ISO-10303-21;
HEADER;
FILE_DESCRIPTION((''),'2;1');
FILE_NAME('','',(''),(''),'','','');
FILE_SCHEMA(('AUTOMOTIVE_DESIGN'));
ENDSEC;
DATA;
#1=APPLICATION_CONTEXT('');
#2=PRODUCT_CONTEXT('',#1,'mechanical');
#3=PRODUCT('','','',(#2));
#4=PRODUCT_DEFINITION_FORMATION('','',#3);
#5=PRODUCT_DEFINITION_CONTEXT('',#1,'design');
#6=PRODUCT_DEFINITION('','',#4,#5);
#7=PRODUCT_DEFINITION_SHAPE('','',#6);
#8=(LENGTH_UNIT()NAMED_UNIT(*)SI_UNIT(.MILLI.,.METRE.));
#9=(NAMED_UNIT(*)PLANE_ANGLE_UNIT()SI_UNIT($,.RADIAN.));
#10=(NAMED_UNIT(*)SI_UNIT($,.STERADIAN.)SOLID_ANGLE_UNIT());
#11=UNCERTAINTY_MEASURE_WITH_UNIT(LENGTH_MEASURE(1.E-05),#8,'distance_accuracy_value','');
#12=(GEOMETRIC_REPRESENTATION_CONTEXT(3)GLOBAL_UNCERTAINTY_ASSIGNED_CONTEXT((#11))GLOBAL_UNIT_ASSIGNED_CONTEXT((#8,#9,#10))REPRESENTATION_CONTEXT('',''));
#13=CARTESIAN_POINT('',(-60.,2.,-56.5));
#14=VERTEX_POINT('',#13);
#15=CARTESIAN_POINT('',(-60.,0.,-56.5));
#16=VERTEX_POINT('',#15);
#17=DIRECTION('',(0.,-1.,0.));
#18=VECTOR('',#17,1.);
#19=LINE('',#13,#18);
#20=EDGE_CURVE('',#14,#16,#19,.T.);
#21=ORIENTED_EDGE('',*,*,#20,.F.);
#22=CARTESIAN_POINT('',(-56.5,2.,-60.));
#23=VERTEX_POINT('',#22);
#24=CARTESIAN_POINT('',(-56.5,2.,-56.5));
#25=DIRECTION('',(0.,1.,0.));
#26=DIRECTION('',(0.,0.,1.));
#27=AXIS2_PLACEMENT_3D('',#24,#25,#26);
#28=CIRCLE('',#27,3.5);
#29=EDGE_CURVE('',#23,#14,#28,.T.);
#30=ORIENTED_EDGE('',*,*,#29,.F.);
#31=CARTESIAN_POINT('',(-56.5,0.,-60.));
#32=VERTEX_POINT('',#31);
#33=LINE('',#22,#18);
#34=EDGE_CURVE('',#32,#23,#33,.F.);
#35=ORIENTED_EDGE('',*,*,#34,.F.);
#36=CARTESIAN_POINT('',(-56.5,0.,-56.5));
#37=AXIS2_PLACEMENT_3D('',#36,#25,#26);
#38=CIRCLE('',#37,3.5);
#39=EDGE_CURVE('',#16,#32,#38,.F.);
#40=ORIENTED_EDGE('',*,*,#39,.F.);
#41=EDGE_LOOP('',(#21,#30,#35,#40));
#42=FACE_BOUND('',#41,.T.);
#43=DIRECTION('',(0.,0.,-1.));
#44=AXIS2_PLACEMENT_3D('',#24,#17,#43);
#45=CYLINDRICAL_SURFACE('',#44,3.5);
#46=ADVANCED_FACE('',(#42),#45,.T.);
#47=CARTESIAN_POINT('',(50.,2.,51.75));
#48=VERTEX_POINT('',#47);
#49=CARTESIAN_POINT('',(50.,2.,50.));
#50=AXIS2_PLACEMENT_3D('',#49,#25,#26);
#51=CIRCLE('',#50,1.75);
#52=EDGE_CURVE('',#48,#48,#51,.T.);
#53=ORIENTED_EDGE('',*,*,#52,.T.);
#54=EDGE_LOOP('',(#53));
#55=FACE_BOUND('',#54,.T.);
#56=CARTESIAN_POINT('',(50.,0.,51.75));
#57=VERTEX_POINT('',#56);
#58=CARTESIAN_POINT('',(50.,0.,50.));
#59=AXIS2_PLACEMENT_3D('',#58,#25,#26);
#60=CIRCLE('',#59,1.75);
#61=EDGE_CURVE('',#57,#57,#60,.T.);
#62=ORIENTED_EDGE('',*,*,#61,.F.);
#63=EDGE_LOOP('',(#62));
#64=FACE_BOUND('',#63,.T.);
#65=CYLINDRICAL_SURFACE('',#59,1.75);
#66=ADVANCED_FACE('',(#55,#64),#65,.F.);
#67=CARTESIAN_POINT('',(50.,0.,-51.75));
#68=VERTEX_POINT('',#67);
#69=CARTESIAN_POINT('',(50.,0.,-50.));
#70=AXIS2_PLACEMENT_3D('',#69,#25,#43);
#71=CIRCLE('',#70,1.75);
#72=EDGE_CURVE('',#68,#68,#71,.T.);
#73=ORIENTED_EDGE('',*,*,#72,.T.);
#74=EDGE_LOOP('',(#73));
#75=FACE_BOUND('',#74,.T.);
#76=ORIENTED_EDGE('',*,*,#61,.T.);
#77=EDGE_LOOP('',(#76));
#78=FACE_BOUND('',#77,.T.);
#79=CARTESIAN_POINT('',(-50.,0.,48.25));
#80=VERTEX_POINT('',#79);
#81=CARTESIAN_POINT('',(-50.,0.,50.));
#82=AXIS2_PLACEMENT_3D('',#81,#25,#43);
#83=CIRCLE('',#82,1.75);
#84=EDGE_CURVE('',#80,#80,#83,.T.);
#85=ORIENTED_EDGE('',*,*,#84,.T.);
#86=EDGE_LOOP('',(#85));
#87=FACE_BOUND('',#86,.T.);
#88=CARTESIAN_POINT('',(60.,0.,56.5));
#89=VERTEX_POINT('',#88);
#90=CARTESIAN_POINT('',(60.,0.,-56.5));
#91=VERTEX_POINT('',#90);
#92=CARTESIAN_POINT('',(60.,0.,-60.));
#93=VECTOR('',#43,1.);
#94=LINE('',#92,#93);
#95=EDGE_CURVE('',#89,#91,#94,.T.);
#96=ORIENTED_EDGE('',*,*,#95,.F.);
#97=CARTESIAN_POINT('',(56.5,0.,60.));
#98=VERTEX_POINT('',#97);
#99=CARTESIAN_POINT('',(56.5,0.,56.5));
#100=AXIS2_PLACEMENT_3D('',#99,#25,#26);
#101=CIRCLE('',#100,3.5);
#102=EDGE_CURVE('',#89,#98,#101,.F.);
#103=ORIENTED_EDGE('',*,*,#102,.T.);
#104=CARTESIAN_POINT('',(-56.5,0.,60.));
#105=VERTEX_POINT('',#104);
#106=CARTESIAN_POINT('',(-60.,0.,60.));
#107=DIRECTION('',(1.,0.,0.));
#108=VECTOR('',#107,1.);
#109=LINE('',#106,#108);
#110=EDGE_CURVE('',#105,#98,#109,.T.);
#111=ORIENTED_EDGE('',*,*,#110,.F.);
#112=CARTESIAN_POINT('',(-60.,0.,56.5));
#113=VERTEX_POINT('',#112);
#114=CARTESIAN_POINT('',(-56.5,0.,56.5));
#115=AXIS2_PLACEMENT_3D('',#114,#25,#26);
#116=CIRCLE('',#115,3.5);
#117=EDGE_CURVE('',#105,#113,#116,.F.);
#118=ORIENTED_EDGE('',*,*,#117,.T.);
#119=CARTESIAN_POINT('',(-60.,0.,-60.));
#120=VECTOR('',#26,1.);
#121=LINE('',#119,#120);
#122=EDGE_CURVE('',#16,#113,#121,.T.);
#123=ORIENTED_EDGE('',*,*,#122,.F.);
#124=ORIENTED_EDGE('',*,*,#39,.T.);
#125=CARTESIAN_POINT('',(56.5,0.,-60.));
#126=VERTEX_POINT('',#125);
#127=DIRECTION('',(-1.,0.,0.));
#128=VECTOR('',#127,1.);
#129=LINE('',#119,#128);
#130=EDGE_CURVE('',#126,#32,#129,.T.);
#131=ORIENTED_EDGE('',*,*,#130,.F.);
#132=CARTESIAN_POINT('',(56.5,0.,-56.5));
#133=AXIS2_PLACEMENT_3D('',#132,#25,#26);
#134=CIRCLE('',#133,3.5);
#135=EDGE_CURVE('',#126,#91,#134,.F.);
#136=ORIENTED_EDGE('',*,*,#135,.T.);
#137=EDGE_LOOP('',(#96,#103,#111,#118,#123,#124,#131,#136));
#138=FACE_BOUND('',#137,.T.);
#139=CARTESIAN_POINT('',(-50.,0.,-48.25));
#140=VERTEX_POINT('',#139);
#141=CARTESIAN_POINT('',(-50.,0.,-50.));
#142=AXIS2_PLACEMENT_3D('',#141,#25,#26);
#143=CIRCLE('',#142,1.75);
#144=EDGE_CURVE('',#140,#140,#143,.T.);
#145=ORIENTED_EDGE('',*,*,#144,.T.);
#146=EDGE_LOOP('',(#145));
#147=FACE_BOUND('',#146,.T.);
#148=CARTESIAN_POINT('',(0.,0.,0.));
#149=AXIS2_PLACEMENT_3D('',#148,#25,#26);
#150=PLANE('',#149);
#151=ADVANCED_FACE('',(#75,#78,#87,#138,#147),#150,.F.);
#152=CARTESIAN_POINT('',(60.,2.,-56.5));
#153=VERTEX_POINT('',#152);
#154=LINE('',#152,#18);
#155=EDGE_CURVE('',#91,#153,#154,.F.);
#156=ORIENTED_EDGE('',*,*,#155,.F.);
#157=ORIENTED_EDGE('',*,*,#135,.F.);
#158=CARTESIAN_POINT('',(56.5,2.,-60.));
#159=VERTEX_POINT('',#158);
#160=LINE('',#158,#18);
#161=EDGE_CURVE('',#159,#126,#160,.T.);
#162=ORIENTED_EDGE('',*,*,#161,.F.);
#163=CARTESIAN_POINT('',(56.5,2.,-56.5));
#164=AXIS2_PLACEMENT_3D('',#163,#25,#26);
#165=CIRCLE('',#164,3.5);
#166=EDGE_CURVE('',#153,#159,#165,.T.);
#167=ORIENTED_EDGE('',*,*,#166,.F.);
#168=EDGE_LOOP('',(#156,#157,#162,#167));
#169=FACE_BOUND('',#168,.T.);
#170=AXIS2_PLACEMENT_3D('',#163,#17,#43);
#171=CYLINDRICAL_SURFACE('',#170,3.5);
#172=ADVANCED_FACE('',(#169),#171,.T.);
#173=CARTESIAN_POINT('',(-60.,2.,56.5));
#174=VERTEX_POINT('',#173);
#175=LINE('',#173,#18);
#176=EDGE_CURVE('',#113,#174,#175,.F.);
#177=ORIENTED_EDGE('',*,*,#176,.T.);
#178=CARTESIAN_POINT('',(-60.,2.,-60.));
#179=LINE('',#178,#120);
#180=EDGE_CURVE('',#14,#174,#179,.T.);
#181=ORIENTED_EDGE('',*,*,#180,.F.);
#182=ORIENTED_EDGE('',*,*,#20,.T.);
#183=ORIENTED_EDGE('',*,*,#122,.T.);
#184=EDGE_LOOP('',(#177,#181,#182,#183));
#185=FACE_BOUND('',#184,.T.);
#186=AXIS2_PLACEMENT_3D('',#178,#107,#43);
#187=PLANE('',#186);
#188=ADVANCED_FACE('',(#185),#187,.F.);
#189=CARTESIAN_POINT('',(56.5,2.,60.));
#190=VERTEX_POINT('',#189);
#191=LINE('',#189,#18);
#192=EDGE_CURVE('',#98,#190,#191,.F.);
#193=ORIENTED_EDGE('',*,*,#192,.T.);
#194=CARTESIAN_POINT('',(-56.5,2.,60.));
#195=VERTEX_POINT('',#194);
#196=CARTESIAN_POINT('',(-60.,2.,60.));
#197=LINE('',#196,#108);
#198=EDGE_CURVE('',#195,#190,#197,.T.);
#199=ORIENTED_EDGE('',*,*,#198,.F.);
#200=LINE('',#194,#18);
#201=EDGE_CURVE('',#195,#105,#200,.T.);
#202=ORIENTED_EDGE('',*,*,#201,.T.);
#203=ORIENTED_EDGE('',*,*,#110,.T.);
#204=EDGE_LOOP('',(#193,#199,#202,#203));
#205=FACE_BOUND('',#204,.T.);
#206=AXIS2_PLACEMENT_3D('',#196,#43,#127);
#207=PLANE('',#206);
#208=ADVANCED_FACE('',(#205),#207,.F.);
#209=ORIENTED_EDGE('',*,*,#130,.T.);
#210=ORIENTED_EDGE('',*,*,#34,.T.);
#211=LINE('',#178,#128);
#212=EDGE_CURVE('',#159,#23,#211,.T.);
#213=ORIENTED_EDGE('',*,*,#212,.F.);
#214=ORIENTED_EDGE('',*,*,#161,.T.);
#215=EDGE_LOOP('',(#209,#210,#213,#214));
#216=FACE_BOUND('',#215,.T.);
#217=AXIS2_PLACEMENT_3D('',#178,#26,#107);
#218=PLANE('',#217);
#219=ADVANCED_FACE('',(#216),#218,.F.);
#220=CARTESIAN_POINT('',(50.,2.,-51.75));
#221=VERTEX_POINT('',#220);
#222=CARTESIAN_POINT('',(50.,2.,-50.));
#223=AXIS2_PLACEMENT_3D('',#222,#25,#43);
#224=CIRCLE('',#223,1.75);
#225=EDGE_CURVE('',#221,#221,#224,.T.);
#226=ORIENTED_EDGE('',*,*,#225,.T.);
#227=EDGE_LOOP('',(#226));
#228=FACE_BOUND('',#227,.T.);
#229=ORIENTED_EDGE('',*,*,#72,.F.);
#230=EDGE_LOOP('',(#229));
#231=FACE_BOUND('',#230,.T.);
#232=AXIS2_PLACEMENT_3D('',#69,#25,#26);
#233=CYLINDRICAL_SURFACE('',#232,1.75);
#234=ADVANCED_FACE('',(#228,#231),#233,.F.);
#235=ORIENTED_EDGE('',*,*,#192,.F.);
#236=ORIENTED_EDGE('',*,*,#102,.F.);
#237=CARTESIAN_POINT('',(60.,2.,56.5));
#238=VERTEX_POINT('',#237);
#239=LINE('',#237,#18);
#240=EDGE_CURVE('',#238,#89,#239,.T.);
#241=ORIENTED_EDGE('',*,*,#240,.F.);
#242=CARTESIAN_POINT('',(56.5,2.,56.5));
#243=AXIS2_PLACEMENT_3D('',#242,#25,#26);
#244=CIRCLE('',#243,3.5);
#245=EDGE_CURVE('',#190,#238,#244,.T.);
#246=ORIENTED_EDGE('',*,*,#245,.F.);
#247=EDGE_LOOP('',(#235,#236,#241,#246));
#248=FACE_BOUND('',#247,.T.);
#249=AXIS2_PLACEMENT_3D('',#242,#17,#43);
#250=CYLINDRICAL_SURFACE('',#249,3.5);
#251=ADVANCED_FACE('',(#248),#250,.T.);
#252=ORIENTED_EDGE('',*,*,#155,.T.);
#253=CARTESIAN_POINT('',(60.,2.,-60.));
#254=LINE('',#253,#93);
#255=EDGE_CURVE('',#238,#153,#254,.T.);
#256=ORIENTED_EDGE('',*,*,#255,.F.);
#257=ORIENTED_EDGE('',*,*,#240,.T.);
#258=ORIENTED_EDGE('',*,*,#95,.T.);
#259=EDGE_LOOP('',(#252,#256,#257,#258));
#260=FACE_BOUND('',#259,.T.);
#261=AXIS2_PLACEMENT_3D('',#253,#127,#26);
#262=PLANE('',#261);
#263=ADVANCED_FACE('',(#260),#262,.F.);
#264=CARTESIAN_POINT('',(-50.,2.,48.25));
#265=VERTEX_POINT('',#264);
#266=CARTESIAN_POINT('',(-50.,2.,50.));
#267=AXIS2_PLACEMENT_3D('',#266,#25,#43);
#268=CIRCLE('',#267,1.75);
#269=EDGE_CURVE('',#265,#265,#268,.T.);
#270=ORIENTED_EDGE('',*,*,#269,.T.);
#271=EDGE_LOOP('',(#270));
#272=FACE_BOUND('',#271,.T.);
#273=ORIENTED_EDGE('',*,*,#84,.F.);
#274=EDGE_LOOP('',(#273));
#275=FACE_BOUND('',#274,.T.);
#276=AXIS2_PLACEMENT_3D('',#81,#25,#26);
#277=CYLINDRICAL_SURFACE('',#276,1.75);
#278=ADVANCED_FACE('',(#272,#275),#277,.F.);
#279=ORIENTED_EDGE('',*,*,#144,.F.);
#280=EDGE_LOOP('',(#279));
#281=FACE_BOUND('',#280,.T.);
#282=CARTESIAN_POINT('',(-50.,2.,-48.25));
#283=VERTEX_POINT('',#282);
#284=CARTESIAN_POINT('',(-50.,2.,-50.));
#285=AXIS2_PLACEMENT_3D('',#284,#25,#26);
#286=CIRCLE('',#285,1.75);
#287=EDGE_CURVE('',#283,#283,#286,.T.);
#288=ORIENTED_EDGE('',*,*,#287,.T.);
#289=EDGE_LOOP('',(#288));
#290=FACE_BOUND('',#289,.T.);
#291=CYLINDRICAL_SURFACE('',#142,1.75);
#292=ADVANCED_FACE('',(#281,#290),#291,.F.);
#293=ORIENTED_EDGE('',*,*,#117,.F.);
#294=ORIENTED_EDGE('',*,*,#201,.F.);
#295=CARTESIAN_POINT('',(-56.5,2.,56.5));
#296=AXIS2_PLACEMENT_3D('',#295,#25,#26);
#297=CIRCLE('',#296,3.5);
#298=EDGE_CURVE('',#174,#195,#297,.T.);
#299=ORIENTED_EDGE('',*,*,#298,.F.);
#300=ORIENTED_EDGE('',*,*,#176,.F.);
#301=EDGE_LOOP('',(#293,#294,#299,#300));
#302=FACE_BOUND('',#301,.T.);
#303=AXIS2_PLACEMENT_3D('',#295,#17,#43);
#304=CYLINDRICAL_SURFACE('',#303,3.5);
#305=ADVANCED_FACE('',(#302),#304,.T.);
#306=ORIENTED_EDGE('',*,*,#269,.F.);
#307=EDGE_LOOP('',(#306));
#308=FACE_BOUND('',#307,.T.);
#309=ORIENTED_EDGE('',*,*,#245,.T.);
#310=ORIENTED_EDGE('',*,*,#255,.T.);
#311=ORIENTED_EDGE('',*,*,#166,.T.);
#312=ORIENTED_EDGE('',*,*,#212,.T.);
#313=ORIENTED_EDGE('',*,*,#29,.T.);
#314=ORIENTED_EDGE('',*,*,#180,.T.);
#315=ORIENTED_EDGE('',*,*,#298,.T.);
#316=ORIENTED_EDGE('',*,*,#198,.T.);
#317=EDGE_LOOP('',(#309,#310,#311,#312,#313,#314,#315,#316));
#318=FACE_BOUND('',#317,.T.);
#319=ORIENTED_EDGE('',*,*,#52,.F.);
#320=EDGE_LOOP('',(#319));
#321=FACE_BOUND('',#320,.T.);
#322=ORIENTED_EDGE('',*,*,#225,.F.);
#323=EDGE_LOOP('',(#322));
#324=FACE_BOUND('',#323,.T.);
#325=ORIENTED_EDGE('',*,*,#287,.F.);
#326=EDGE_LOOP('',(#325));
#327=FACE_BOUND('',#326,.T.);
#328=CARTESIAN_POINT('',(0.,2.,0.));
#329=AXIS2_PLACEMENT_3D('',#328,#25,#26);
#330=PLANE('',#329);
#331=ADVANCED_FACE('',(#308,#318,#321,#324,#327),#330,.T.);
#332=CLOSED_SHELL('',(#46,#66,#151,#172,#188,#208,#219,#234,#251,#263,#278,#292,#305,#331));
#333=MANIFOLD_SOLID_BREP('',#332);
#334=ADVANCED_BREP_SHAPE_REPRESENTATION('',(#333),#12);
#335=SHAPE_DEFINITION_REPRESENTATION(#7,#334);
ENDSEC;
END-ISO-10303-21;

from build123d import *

# Parameters (mm, degrees)
SKETCH_4_W          = 120
SKETCH_4_H          = 120
EXTRUDE_2_DEPTH     = 2
FILLET_2_R          = 3.5
SKETCH_5_R          = 1.75
CUT_EXTRUDE_1_DEPTH = 3


with BuildPart() as part:
    # 草图4 → 凸台-拉伸2 (new body)
    with BuildSketch(Plane(origin=(0, 0, 0), x_dir=(1, 0, 0), z_dir=(0, 1, 0))):
        Rectangle(SKETCH_4_W, SKETCH_4_H)
    extrude(amount=EXTRUDE_2_DEPTH)

    # 圆角2
    fillet_2_edges = [part.edges().sort_by_distance(p)[0] for p in [
        (60, 1, 60),
        (-60, 1, 60),
        (-60, 1, -60),
        (60, 1, -60),
    ]]
    fillet(fillet_2_edges, radius=FILLET_2_R)

    # 草图5 → 切除-拉伸1 (cut, through all)
    with BuildSketch(Plane(origin=(0, 2, 0), x_dir=(1, 0, 0), z_dir=(0, 1, 0))):
        with Locations((-50, 50)):
            Circle(SKETCH_5_R)
        with Locations((-50, -50)):
            Circle(SKETCH_5_R)
        with Locations((50, -50)):
            Circle(SKETCH_5_R)
        with Locations((50, 50)):
            Circle(SKETCH_5_R)
    extrude(amount=-CUT_EXTRUDE_1_DEPTH, mode=Mode.SUBTRACT)


solid = part.part
